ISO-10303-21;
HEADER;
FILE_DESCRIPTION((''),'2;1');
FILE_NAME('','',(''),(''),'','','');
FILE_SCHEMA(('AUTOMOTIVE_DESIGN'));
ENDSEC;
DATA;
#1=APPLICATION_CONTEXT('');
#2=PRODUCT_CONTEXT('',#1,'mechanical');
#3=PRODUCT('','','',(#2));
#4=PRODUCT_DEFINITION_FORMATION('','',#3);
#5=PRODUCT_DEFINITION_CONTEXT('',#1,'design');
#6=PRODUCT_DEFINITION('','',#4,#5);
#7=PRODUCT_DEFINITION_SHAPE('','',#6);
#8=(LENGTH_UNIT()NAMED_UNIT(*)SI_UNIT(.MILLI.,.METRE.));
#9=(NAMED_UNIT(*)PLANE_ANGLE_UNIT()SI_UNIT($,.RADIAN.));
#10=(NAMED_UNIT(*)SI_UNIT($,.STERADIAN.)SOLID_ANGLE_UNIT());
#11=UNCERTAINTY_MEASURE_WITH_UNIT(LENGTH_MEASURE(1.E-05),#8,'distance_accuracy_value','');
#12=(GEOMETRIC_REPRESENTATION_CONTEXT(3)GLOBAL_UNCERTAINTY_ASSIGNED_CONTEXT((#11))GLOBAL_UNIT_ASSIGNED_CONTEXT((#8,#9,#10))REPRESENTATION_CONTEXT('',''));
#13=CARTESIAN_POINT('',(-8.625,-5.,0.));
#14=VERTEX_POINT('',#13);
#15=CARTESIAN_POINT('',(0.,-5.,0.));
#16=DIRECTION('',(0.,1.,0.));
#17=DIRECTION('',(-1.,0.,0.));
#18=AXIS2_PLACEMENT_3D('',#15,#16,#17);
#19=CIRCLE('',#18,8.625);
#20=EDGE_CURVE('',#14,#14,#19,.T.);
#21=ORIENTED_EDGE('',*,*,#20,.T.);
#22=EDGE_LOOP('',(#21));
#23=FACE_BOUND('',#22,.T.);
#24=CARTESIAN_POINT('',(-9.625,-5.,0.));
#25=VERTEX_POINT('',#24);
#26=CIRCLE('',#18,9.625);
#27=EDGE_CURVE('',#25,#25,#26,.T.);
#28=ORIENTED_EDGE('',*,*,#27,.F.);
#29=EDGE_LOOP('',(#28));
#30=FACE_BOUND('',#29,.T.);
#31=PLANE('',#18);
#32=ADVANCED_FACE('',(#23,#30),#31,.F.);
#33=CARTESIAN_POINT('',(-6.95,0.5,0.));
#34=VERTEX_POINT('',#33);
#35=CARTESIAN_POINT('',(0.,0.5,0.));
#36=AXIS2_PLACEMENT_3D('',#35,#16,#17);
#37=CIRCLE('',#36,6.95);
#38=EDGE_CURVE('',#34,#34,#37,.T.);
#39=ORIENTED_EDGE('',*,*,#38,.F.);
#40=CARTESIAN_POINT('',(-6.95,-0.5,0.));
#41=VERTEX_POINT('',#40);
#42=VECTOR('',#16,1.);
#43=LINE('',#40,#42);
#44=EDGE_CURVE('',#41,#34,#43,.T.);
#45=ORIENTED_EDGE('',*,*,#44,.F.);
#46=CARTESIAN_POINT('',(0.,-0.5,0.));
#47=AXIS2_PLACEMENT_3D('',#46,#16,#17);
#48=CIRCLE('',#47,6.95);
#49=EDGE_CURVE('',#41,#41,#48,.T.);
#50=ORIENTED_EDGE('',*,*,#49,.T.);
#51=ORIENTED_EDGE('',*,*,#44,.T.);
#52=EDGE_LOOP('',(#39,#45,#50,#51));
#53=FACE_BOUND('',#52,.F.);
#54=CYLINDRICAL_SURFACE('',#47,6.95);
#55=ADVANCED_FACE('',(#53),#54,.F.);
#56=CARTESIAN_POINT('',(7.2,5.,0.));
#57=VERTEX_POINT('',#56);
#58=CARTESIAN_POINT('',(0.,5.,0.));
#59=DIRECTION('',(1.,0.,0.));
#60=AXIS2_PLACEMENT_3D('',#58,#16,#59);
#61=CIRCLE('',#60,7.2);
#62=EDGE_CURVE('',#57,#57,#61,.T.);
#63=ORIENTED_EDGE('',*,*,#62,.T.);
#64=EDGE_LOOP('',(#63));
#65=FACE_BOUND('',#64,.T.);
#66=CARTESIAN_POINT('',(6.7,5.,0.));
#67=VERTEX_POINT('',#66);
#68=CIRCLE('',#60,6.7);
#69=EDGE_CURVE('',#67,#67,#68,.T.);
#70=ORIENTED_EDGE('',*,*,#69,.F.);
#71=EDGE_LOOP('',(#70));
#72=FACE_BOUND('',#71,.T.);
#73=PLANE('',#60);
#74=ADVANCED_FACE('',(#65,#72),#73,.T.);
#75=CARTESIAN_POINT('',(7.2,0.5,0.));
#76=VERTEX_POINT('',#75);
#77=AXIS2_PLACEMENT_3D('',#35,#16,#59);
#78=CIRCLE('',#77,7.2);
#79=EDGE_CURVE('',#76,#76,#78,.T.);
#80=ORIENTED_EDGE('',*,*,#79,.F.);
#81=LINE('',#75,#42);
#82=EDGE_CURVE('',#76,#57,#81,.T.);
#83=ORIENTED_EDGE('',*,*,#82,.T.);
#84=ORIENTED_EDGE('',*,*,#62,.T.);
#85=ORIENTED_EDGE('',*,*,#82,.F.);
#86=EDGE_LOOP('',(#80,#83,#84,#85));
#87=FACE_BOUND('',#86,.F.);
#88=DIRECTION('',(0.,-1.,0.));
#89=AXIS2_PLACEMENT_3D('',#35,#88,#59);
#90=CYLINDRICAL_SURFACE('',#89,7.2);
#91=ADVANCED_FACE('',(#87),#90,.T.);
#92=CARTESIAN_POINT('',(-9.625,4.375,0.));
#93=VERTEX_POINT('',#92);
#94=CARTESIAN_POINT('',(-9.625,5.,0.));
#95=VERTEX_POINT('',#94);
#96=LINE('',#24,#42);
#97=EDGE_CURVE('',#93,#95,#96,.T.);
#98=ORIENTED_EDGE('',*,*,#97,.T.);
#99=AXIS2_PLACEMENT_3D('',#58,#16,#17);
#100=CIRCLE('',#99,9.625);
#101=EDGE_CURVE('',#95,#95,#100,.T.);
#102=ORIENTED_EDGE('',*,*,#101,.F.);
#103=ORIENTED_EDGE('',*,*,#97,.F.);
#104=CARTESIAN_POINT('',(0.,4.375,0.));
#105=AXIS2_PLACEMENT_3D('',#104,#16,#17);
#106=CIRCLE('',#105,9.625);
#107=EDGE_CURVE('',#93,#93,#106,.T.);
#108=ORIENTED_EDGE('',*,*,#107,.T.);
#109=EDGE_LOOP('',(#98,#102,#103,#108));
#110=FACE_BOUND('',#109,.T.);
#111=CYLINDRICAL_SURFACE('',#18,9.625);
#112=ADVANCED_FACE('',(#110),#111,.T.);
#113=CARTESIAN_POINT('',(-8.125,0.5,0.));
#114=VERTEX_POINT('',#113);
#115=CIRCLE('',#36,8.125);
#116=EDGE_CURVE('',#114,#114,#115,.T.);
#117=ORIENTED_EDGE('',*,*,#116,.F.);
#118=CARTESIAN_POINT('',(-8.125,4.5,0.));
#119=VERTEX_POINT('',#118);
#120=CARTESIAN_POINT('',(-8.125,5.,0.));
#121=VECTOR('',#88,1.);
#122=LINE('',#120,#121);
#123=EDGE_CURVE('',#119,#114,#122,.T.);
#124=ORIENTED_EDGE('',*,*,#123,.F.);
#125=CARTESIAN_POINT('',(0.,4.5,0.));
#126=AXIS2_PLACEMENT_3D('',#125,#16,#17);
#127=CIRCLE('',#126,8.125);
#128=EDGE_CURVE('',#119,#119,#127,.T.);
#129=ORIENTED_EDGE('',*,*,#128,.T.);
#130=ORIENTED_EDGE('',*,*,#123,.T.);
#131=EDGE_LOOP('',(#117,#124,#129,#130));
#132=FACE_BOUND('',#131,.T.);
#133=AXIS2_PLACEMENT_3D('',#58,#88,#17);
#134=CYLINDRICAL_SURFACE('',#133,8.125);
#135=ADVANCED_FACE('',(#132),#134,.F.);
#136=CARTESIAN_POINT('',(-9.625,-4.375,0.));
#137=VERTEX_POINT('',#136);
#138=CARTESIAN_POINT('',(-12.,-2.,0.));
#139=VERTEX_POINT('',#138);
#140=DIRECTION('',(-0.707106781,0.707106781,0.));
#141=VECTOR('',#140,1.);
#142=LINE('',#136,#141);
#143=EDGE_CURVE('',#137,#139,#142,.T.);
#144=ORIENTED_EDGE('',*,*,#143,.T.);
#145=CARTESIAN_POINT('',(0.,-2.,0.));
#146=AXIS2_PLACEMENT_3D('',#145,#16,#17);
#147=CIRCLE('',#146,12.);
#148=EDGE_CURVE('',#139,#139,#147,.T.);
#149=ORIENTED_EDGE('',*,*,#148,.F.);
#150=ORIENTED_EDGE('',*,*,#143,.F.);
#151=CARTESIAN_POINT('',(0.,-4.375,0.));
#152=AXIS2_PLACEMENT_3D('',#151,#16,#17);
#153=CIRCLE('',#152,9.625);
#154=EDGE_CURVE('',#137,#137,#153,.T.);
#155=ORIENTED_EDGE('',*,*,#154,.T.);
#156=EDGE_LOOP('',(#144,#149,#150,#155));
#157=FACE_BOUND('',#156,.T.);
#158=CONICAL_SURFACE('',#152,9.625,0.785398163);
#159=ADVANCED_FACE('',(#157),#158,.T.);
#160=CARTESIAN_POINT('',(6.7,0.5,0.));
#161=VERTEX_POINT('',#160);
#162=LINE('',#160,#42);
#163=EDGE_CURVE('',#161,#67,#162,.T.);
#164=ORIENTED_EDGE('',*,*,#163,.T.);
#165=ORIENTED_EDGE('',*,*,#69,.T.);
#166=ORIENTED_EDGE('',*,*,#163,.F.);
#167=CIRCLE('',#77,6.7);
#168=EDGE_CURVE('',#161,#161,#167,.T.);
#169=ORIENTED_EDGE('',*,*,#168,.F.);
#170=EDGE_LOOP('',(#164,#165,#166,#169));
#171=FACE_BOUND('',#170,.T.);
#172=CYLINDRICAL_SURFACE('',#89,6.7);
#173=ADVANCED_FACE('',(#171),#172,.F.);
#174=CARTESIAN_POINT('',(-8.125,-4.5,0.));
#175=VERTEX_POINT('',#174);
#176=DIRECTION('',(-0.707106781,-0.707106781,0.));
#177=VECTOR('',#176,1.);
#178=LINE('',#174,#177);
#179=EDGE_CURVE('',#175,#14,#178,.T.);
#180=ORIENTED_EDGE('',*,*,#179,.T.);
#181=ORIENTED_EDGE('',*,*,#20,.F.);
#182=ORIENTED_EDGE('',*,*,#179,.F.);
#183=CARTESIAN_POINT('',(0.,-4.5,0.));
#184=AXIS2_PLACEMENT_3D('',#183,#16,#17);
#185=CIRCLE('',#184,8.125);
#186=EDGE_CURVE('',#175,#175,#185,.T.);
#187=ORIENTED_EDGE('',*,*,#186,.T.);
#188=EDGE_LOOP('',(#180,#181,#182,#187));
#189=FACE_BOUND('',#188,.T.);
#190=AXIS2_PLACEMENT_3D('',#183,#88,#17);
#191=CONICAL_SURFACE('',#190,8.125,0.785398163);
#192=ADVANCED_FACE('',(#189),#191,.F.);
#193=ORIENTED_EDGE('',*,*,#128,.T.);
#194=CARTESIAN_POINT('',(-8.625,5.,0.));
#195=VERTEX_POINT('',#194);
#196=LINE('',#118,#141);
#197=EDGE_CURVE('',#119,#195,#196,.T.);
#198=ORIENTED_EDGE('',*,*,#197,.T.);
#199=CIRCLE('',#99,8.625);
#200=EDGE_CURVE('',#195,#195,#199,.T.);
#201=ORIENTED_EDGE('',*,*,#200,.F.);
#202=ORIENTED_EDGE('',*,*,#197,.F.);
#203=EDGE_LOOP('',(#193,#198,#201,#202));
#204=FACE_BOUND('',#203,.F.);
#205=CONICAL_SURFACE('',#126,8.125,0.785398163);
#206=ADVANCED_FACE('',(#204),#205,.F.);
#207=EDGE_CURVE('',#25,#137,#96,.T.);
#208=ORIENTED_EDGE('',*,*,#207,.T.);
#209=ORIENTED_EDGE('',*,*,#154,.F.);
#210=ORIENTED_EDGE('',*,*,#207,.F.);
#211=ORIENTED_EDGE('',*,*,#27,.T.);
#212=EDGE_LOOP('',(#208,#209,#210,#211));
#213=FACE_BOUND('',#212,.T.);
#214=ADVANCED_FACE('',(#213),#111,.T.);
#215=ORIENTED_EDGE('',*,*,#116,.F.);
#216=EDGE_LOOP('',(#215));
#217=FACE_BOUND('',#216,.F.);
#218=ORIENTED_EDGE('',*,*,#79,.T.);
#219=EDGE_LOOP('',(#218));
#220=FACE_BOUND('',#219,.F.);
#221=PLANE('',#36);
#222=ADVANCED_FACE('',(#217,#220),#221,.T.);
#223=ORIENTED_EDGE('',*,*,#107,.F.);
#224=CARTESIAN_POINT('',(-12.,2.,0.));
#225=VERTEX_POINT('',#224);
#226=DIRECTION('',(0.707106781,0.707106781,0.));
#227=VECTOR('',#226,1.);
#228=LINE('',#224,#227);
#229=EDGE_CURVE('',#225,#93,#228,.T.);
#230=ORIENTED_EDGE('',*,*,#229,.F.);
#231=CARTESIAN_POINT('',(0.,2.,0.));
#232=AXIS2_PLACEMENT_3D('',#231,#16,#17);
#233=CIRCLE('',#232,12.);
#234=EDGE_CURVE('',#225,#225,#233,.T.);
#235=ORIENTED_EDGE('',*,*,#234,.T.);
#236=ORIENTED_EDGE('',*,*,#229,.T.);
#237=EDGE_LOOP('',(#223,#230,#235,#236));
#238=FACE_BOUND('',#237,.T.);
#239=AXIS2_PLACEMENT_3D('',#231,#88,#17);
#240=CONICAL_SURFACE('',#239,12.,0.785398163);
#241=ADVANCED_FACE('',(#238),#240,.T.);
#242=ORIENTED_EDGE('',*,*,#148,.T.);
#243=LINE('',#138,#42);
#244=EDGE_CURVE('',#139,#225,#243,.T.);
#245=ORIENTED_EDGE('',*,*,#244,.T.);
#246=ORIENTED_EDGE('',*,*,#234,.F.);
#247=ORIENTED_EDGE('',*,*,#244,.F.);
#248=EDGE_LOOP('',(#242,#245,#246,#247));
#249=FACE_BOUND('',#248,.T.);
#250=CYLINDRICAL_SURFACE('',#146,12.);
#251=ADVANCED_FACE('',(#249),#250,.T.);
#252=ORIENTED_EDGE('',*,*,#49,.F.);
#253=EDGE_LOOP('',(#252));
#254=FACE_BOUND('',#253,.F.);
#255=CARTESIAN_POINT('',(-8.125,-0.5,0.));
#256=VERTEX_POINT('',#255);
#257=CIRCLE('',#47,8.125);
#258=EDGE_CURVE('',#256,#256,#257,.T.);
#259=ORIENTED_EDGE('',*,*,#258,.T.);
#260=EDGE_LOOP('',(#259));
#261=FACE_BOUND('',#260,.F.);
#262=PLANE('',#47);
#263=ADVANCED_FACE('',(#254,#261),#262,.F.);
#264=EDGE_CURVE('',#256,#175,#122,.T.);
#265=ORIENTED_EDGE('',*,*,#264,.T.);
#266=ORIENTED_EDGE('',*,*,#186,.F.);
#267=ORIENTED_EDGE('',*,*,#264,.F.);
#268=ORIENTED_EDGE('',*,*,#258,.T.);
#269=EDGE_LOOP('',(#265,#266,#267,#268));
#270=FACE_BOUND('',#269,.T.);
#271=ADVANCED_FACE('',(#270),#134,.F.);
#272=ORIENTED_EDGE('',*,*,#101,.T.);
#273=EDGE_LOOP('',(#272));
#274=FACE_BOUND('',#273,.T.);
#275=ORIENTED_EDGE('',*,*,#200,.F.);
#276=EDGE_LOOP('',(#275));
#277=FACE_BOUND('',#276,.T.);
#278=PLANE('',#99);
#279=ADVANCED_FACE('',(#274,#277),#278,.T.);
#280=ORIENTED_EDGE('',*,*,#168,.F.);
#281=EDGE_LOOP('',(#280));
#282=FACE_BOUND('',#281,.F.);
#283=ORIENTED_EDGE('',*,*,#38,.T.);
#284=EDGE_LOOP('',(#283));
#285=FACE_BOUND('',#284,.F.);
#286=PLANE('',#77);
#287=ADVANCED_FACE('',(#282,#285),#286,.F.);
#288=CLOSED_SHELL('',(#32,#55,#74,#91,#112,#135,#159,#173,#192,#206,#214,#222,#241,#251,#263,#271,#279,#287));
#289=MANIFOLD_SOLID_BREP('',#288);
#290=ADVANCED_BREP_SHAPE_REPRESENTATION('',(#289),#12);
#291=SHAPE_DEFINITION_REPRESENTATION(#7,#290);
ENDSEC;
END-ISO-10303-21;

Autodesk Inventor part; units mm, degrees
ref_plane "YZ Plane" through (0, 0, 0) normal (1, 0, 0) x (0, 1, 0)
ref_plane "XZ Plane" through (0, 0, 0) normal (0, 1, 0) x (-1, 0, 0)
ref_plane "XY Plane" through (0, 0, 0) normal (0, 0, 1) x (1, 0, 0)
sketch "Sketch1" plane through (0, 0, 0) normal (0, 0, 1) x (1, 0, 0)
  line L0 (0, -0.4401) -> (0, 0.4401)
  line L1 (-8.125, -0.5) -> (-6.95, -0.5)
  line L2 (-6.95, -0.5) -> (-6.95, 0.5)
  line L3 (-6.95, 0.5) -> (-8.125, 0.5)
  line L4 (-8.125, 0.5) -> (-8.125, -0.5)
  line L5 (-8.125, -0.5) -> (-6.95, 0.5) construction
  line L6 (-6.95, -0.5) -> (-8.125, 0.5) construction
  line L7 (-9.625, 5) -> (-8.125, 5)
  line L8 (-8.125, 5) -> (-8.125, -5)
  line L9 (-8.125, -5) -> (-9.625, -5)
  line L10 (-9.625, -5) -> (-9.625, 5)
  line L11 (-9.625, 5) -> (-8.125, -5) construction
  line L12 (-8.125, 5) -> (-9.625, -5) construction
  line L13 (-9.625, -4.375) -> (-12, -2)
  line L14 (-12, -2) -> (-12, 2)
  line L15 (-12, 2) -> (-9.625, 4.375)
  line L16 (-8, 0.5) -> (8, 0.5) construction
  line L17 (8, 0.5) -> (8, 5.5) construction
  line L18 (8, 5.5) -> (-8, 5.5) construction
  line L19 (-8, 5.5) -> (-8, 0.5) construction
  line L20 (-8, 0.5) -> (8, 5.5) construction
  line L21 (8, 0.5) -> (-8, 5.5) construction
  line L22 (-17, -3) -> (-11, -3) construction
  line L23 (-11, -3) -> (-11, 3) construction
  line L24 (-11, 3) -> (-17, 3) construction
  line L25 (-17, 3) -> (-17, -3) construction
  line L26 (-17, -3) -> (-11, 3) construction
  line L27 (-11, -3) -> (-17, 3) construction
  point P0 (0, 0)
  point P1 (0, 0)
  point P2 (-7.5375, 0)
  point P3 (-8.875, 0)
  point P4 (-12, 0)
  point P5 (-7.5375, 0)
  point P6 (-8.875, 0)
  point P7 (0, 3)
  point P8 (0, 3)
  point P9 (-14, 0)
  point P10 (-8.125, 0.5)
  point P11 (-8.125, -0.5)
  dimension "d0" = 13.9
  dimension "d1" = 16.25
  dimension "d2" = 10
  dimension "d3" = 16
  dimension "d4" = 5
  dimension "d5" = 5.5
  dimension "d6" = 45
  dimension "d7" = 4
  dimension "d8" = 2.375
  dimension "d9" = 1.5
  dimension "d10" = 6
  dimension "d11" = 6
  dimension "d12" = 22
revolve "Revolution1" add sketch "Sketch1" angle 360 about axis through (0, -0.4401, 0) along (0, 1, 0)
chamfer "Chamfer1" distance 0.5 angle 45 2 edges at (8.125, 5, 0) (8.125, -5, 0)
sketch "Sketch2" plane through (0, 0.5, 0) normal (0, 1, 0) x (1, 0, 0)
  circle A0 centre (0, 0) radius 6.95 construction
  circle A1 centre (0, 0) radius 7.2
  circle A2 centre (0, 0) radius 6.7
  point P0 (0, 0)
  dimension "d17" = 0.25
  dimension "d18" = 0.25
extrude "Extrusion1" add sketch "Sketch2" along normal up to surface (4.5 mm away)
properties part number "Internal_V-groove_Bearing"
